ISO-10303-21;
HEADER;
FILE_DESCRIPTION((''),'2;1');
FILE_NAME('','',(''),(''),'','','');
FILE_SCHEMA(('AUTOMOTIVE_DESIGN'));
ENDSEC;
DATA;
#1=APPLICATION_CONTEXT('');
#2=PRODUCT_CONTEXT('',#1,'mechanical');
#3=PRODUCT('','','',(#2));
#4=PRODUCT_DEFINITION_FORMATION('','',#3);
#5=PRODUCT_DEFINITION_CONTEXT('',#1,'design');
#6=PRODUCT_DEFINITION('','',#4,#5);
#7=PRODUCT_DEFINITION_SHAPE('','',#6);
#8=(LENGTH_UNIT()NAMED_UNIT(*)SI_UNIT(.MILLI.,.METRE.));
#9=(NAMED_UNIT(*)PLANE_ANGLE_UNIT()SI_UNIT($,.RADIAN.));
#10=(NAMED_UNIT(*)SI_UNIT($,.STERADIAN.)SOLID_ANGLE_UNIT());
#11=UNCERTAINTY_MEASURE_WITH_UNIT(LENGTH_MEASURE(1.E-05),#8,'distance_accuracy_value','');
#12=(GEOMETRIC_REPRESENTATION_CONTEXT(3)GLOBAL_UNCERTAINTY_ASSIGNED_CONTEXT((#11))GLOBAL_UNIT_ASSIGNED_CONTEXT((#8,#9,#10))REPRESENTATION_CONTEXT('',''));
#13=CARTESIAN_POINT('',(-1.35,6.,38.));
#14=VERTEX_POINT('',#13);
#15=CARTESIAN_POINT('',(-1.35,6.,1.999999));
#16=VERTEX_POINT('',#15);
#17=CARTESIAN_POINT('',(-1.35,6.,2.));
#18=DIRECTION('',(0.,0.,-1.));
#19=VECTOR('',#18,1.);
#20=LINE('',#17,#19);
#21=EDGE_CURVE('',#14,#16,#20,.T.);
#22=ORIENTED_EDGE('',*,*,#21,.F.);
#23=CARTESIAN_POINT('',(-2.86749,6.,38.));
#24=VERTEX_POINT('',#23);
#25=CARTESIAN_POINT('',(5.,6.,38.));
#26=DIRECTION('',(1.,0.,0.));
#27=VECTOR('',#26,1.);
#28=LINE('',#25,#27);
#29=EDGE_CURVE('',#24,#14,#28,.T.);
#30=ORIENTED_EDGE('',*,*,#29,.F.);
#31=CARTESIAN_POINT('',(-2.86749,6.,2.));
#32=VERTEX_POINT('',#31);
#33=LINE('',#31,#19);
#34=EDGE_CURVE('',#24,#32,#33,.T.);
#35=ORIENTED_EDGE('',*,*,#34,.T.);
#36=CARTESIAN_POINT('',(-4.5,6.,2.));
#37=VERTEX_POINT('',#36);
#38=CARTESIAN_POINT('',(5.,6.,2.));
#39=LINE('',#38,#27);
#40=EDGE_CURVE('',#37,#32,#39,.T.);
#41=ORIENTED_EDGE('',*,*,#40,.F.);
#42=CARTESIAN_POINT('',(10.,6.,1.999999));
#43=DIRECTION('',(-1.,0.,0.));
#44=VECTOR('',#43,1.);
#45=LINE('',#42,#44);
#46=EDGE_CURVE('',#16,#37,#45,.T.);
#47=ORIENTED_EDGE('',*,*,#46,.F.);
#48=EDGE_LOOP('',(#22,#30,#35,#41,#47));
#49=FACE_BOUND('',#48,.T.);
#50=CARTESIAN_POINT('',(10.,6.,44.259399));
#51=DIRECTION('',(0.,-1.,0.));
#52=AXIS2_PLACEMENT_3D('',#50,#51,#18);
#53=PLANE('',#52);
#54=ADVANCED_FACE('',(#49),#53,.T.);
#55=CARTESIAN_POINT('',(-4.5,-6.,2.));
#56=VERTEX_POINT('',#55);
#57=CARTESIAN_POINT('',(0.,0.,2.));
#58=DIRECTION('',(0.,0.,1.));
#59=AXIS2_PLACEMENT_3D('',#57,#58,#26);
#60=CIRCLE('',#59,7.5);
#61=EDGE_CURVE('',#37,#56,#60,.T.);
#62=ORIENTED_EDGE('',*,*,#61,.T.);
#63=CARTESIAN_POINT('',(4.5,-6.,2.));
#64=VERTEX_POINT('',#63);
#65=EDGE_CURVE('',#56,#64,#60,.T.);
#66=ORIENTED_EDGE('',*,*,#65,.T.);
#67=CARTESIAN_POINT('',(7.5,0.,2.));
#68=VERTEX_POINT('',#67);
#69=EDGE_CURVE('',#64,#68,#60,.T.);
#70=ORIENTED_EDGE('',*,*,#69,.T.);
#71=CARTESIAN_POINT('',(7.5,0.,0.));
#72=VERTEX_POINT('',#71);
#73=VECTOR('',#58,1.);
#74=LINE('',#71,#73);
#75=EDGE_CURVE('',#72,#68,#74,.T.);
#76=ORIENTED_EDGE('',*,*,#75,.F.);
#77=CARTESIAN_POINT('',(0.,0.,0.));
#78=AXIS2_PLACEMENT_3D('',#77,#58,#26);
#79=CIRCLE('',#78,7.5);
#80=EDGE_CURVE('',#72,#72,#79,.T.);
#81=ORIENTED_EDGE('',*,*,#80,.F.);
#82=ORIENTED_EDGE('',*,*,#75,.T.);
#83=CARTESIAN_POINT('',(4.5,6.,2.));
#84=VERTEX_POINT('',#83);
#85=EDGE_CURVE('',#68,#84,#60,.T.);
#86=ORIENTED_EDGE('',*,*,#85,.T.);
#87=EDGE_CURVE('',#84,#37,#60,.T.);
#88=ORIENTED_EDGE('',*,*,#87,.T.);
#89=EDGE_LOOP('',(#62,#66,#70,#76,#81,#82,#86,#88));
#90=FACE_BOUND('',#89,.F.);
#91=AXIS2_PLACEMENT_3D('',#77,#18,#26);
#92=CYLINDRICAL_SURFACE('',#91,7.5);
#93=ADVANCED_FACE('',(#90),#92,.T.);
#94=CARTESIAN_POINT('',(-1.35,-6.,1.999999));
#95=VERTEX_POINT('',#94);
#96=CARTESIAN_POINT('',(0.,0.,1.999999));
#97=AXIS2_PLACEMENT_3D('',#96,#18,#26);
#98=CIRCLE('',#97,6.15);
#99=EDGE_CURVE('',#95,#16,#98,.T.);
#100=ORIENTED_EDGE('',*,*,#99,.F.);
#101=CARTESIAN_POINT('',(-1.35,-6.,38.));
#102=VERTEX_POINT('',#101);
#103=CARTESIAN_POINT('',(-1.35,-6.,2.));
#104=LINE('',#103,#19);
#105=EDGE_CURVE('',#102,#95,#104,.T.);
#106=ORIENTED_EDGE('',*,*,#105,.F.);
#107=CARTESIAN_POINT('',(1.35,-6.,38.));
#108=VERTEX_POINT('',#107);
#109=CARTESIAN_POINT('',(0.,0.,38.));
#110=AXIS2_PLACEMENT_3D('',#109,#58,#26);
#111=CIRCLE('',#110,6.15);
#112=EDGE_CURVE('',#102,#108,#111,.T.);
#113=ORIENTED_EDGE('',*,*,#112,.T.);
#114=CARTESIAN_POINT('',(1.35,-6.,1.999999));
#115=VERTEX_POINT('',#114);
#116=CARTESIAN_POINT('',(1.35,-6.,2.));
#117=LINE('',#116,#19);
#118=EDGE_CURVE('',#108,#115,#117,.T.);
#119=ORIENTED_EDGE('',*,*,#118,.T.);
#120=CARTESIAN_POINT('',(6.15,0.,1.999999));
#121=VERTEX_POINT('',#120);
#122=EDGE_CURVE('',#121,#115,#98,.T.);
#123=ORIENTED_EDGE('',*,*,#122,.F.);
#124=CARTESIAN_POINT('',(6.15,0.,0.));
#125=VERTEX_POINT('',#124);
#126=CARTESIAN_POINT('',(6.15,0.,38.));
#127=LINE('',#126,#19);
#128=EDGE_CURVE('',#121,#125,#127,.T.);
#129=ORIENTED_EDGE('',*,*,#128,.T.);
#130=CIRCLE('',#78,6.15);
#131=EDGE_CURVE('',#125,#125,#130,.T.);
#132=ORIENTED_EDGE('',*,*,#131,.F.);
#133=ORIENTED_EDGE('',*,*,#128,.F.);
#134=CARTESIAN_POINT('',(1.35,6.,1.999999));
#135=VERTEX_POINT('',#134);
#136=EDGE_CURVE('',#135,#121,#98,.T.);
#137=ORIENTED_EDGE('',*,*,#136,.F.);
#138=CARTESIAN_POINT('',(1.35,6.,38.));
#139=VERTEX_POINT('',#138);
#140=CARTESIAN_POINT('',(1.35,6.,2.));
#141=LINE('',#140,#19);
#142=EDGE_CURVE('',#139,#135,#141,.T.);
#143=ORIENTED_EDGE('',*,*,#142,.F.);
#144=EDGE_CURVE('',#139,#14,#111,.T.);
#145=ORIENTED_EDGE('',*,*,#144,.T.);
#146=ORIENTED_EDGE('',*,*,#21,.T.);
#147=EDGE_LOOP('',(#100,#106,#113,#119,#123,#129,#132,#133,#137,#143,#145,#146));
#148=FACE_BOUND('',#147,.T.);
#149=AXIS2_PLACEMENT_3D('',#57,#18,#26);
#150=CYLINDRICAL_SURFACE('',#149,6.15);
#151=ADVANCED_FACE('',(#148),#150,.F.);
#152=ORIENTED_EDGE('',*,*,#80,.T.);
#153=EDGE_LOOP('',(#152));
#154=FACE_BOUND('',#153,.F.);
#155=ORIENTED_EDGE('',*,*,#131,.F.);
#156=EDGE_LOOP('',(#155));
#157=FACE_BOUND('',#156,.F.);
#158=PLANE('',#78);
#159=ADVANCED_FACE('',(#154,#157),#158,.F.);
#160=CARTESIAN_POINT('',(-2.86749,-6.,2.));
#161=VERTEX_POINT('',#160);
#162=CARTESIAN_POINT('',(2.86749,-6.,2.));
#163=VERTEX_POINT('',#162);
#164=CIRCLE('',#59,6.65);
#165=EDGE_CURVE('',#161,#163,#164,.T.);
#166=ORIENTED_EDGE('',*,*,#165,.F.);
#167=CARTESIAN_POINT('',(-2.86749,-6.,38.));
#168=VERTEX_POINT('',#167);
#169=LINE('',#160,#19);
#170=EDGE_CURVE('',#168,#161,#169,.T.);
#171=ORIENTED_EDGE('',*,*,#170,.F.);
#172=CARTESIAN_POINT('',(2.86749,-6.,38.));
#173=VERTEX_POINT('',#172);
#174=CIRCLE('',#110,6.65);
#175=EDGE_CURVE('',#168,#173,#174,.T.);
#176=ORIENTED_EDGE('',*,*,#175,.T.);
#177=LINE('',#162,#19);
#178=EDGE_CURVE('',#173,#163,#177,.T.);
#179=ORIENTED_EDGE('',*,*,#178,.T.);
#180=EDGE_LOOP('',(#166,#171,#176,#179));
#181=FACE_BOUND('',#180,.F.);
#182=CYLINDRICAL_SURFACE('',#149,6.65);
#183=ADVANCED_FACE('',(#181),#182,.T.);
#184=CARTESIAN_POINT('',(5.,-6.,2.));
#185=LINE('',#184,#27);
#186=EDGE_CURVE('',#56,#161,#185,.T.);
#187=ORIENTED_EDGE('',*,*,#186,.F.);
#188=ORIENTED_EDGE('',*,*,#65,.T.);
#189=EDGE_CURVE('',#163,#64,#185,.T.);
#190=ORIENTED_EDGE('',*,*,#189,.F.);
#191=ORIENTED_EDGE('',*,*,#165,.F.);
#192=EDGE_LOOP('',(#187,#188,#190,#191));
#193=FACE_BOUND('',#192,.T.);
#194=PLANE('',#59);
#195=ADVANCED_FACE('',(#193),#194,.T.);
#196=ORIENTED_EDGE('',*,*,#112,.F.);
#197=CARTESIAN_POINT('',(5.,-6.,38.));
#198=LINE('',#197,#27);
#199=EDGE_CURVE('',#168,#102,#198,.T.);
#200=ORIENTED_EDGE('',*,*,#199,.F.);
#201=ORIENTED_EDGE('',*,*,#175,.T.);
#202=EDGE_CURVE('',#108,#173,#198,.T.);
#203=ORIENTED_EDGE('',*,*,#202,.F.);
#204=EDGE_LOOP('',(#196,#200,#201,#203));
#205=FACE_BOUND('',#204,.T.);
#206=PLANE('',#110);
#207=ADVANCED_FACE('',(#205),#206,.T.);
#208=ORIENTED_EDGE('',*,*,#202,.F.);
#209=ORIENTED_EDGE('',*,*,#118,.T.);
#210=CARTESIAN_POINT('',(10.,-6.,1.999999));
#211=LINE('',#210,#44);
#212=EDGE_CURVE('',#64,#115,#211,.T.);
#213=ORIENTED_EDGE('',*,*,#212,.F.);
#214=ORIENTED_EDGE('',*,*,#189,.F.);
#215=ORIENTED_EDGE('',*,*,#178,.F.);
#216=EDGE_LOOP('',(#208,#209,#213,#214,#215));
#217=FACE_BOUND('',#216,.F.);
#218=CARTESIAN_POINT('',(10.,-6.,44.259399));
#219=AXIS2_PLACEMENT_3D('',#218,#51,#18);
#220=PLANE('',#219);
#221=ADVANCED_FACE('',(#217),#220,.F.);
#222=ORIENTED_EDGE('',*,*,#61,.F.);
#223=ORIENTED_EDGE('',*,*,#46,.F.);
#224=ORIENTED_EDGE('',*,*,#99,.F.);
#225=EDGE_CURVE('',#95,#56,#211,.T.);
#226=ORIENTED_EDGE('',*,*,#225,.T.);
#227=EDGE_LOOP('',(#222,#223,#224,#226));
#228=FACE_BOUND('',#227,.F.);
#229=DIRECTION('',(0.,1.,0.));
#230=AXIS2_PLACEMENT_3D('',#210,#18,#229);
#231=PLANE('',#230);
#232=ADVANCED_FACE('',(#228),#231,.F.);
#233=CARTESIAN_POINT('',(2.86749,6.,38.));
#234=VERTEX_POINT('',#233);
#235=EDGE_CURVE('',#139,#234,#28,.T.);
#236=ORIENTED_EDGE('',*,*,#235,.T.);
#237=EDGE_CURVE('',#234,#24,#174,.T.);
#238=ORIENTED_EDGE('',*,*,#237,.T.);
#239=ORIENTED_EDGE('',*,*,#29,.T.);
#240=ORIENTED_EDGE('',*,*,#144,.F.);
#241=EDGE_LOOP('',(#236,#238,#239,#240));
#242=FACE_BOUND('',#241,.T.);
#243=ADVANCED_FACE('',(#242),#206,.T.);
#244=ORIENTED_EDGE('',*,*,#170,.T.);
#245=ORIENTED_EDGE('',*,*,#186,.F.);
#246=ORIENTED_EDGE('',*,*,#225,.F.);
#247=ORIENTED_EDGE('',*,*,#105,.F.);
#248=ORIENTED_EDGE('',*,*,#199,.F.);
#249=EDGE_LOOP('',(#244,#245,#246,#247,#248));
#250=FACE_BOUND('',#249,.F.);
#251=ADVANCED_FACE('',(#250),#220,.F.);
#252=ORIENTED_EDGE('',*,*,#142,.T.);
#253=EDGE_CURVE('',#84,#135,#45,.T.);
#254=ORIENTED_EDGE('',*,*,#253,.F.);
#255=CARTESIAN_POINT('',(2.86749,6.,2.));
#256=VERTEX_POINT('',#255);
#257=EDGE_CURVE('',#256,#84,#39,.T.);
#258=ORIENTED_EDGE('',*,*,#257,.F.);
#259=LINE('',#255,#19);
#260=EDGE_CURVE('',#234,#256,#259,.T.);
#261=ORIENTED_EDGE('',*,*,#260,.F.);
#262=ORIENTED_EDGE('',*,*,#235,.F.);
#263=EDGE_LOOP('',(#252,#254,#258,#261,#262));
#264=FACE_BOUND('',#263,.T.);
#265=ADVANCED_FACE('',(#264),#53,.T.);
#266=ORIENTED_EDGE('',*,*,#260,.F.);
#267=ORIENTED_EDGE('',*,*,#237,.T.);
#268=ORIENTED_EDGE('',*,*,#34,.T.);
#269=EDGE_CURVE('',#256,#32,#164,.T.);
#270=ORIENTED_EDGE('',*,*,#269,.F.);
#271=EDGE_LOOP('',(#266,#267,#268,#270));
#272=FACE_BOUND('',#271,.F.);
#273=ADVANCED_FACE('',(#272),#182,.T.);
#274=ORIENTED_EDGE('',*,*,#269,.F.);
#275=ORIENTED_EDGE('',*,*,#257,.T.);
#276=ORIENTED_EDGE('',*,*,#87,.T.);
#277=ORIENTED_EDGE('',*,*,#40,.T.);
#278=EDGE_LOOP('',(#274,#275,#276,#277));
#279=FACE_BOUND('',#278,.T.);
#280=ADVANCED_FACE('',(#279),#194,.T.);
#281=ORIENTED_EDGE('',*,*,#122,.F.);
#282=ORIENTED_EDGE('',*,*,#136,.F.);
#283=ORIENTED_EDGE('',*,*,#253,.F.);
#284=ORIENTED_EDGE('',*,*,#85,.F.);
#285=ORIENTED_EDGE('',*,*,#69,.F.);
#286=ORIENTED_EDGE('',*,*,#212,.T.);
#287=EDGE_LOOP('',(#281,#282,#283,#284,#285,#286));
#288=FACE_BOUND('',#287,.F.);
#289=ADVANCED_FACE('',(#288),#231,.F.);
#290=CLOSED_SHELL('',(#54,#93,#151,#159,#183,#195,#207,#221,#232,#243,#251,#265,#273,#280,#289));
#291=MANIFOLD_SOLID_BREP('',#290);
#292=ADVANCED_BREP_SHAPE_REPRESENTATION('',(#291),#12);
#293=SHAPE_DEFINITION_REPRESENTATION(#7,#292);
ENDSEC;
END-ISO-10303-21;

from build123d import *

# Parameters (mm, degrees)
SKETCH_R      = 7.5
SKETCH_R_2    = 6.15
PAD_DEPTH     = 2
SKETCH001_R   = 6.65
SKETCH001_R_2 = 6.15
PAD001_DEPTH  = 36
SKETCH002_W   = 42.259399
SKETCH002_H   = 12
POCKET_DEPTH  = 17.501


with BuildPart() as part:
    # Sketch → Pad (new body)
    with BuildSketch(Plane.XY):
        Circle(SKETCH_R)
        Circle(SKETCH_R_2, mode=Mode.SUBTRACT)
    extrude(amount=PAD_DEPTH)

    # Sketch001 (on Face4 of Pad) → Pad001 (join)
    with BuildSketch(Plane.XY.offset(2)):
        Circle(SKETCH001_R)
        Circle(SKETCH001_R_2, mode=Mode.SUBTRACT)
    extrude(amount=PAD001_DEPTH)

    # Sketch002 (on DatumPlane) → Pocket (cut, through all)
    with BuildSketch(Plane(origin=(10, 0, 0), x_dir=(0, 0, -1), z_dir=(1, 0, 0))):
        with Locations((-23.129699, 0)):
            Rectangle(SKETCH002_W, SKETCH002_H)
    extrude(amount=-POCKET_DEPTH, mode=Mode.SUBTRACT)


solid = part.part
